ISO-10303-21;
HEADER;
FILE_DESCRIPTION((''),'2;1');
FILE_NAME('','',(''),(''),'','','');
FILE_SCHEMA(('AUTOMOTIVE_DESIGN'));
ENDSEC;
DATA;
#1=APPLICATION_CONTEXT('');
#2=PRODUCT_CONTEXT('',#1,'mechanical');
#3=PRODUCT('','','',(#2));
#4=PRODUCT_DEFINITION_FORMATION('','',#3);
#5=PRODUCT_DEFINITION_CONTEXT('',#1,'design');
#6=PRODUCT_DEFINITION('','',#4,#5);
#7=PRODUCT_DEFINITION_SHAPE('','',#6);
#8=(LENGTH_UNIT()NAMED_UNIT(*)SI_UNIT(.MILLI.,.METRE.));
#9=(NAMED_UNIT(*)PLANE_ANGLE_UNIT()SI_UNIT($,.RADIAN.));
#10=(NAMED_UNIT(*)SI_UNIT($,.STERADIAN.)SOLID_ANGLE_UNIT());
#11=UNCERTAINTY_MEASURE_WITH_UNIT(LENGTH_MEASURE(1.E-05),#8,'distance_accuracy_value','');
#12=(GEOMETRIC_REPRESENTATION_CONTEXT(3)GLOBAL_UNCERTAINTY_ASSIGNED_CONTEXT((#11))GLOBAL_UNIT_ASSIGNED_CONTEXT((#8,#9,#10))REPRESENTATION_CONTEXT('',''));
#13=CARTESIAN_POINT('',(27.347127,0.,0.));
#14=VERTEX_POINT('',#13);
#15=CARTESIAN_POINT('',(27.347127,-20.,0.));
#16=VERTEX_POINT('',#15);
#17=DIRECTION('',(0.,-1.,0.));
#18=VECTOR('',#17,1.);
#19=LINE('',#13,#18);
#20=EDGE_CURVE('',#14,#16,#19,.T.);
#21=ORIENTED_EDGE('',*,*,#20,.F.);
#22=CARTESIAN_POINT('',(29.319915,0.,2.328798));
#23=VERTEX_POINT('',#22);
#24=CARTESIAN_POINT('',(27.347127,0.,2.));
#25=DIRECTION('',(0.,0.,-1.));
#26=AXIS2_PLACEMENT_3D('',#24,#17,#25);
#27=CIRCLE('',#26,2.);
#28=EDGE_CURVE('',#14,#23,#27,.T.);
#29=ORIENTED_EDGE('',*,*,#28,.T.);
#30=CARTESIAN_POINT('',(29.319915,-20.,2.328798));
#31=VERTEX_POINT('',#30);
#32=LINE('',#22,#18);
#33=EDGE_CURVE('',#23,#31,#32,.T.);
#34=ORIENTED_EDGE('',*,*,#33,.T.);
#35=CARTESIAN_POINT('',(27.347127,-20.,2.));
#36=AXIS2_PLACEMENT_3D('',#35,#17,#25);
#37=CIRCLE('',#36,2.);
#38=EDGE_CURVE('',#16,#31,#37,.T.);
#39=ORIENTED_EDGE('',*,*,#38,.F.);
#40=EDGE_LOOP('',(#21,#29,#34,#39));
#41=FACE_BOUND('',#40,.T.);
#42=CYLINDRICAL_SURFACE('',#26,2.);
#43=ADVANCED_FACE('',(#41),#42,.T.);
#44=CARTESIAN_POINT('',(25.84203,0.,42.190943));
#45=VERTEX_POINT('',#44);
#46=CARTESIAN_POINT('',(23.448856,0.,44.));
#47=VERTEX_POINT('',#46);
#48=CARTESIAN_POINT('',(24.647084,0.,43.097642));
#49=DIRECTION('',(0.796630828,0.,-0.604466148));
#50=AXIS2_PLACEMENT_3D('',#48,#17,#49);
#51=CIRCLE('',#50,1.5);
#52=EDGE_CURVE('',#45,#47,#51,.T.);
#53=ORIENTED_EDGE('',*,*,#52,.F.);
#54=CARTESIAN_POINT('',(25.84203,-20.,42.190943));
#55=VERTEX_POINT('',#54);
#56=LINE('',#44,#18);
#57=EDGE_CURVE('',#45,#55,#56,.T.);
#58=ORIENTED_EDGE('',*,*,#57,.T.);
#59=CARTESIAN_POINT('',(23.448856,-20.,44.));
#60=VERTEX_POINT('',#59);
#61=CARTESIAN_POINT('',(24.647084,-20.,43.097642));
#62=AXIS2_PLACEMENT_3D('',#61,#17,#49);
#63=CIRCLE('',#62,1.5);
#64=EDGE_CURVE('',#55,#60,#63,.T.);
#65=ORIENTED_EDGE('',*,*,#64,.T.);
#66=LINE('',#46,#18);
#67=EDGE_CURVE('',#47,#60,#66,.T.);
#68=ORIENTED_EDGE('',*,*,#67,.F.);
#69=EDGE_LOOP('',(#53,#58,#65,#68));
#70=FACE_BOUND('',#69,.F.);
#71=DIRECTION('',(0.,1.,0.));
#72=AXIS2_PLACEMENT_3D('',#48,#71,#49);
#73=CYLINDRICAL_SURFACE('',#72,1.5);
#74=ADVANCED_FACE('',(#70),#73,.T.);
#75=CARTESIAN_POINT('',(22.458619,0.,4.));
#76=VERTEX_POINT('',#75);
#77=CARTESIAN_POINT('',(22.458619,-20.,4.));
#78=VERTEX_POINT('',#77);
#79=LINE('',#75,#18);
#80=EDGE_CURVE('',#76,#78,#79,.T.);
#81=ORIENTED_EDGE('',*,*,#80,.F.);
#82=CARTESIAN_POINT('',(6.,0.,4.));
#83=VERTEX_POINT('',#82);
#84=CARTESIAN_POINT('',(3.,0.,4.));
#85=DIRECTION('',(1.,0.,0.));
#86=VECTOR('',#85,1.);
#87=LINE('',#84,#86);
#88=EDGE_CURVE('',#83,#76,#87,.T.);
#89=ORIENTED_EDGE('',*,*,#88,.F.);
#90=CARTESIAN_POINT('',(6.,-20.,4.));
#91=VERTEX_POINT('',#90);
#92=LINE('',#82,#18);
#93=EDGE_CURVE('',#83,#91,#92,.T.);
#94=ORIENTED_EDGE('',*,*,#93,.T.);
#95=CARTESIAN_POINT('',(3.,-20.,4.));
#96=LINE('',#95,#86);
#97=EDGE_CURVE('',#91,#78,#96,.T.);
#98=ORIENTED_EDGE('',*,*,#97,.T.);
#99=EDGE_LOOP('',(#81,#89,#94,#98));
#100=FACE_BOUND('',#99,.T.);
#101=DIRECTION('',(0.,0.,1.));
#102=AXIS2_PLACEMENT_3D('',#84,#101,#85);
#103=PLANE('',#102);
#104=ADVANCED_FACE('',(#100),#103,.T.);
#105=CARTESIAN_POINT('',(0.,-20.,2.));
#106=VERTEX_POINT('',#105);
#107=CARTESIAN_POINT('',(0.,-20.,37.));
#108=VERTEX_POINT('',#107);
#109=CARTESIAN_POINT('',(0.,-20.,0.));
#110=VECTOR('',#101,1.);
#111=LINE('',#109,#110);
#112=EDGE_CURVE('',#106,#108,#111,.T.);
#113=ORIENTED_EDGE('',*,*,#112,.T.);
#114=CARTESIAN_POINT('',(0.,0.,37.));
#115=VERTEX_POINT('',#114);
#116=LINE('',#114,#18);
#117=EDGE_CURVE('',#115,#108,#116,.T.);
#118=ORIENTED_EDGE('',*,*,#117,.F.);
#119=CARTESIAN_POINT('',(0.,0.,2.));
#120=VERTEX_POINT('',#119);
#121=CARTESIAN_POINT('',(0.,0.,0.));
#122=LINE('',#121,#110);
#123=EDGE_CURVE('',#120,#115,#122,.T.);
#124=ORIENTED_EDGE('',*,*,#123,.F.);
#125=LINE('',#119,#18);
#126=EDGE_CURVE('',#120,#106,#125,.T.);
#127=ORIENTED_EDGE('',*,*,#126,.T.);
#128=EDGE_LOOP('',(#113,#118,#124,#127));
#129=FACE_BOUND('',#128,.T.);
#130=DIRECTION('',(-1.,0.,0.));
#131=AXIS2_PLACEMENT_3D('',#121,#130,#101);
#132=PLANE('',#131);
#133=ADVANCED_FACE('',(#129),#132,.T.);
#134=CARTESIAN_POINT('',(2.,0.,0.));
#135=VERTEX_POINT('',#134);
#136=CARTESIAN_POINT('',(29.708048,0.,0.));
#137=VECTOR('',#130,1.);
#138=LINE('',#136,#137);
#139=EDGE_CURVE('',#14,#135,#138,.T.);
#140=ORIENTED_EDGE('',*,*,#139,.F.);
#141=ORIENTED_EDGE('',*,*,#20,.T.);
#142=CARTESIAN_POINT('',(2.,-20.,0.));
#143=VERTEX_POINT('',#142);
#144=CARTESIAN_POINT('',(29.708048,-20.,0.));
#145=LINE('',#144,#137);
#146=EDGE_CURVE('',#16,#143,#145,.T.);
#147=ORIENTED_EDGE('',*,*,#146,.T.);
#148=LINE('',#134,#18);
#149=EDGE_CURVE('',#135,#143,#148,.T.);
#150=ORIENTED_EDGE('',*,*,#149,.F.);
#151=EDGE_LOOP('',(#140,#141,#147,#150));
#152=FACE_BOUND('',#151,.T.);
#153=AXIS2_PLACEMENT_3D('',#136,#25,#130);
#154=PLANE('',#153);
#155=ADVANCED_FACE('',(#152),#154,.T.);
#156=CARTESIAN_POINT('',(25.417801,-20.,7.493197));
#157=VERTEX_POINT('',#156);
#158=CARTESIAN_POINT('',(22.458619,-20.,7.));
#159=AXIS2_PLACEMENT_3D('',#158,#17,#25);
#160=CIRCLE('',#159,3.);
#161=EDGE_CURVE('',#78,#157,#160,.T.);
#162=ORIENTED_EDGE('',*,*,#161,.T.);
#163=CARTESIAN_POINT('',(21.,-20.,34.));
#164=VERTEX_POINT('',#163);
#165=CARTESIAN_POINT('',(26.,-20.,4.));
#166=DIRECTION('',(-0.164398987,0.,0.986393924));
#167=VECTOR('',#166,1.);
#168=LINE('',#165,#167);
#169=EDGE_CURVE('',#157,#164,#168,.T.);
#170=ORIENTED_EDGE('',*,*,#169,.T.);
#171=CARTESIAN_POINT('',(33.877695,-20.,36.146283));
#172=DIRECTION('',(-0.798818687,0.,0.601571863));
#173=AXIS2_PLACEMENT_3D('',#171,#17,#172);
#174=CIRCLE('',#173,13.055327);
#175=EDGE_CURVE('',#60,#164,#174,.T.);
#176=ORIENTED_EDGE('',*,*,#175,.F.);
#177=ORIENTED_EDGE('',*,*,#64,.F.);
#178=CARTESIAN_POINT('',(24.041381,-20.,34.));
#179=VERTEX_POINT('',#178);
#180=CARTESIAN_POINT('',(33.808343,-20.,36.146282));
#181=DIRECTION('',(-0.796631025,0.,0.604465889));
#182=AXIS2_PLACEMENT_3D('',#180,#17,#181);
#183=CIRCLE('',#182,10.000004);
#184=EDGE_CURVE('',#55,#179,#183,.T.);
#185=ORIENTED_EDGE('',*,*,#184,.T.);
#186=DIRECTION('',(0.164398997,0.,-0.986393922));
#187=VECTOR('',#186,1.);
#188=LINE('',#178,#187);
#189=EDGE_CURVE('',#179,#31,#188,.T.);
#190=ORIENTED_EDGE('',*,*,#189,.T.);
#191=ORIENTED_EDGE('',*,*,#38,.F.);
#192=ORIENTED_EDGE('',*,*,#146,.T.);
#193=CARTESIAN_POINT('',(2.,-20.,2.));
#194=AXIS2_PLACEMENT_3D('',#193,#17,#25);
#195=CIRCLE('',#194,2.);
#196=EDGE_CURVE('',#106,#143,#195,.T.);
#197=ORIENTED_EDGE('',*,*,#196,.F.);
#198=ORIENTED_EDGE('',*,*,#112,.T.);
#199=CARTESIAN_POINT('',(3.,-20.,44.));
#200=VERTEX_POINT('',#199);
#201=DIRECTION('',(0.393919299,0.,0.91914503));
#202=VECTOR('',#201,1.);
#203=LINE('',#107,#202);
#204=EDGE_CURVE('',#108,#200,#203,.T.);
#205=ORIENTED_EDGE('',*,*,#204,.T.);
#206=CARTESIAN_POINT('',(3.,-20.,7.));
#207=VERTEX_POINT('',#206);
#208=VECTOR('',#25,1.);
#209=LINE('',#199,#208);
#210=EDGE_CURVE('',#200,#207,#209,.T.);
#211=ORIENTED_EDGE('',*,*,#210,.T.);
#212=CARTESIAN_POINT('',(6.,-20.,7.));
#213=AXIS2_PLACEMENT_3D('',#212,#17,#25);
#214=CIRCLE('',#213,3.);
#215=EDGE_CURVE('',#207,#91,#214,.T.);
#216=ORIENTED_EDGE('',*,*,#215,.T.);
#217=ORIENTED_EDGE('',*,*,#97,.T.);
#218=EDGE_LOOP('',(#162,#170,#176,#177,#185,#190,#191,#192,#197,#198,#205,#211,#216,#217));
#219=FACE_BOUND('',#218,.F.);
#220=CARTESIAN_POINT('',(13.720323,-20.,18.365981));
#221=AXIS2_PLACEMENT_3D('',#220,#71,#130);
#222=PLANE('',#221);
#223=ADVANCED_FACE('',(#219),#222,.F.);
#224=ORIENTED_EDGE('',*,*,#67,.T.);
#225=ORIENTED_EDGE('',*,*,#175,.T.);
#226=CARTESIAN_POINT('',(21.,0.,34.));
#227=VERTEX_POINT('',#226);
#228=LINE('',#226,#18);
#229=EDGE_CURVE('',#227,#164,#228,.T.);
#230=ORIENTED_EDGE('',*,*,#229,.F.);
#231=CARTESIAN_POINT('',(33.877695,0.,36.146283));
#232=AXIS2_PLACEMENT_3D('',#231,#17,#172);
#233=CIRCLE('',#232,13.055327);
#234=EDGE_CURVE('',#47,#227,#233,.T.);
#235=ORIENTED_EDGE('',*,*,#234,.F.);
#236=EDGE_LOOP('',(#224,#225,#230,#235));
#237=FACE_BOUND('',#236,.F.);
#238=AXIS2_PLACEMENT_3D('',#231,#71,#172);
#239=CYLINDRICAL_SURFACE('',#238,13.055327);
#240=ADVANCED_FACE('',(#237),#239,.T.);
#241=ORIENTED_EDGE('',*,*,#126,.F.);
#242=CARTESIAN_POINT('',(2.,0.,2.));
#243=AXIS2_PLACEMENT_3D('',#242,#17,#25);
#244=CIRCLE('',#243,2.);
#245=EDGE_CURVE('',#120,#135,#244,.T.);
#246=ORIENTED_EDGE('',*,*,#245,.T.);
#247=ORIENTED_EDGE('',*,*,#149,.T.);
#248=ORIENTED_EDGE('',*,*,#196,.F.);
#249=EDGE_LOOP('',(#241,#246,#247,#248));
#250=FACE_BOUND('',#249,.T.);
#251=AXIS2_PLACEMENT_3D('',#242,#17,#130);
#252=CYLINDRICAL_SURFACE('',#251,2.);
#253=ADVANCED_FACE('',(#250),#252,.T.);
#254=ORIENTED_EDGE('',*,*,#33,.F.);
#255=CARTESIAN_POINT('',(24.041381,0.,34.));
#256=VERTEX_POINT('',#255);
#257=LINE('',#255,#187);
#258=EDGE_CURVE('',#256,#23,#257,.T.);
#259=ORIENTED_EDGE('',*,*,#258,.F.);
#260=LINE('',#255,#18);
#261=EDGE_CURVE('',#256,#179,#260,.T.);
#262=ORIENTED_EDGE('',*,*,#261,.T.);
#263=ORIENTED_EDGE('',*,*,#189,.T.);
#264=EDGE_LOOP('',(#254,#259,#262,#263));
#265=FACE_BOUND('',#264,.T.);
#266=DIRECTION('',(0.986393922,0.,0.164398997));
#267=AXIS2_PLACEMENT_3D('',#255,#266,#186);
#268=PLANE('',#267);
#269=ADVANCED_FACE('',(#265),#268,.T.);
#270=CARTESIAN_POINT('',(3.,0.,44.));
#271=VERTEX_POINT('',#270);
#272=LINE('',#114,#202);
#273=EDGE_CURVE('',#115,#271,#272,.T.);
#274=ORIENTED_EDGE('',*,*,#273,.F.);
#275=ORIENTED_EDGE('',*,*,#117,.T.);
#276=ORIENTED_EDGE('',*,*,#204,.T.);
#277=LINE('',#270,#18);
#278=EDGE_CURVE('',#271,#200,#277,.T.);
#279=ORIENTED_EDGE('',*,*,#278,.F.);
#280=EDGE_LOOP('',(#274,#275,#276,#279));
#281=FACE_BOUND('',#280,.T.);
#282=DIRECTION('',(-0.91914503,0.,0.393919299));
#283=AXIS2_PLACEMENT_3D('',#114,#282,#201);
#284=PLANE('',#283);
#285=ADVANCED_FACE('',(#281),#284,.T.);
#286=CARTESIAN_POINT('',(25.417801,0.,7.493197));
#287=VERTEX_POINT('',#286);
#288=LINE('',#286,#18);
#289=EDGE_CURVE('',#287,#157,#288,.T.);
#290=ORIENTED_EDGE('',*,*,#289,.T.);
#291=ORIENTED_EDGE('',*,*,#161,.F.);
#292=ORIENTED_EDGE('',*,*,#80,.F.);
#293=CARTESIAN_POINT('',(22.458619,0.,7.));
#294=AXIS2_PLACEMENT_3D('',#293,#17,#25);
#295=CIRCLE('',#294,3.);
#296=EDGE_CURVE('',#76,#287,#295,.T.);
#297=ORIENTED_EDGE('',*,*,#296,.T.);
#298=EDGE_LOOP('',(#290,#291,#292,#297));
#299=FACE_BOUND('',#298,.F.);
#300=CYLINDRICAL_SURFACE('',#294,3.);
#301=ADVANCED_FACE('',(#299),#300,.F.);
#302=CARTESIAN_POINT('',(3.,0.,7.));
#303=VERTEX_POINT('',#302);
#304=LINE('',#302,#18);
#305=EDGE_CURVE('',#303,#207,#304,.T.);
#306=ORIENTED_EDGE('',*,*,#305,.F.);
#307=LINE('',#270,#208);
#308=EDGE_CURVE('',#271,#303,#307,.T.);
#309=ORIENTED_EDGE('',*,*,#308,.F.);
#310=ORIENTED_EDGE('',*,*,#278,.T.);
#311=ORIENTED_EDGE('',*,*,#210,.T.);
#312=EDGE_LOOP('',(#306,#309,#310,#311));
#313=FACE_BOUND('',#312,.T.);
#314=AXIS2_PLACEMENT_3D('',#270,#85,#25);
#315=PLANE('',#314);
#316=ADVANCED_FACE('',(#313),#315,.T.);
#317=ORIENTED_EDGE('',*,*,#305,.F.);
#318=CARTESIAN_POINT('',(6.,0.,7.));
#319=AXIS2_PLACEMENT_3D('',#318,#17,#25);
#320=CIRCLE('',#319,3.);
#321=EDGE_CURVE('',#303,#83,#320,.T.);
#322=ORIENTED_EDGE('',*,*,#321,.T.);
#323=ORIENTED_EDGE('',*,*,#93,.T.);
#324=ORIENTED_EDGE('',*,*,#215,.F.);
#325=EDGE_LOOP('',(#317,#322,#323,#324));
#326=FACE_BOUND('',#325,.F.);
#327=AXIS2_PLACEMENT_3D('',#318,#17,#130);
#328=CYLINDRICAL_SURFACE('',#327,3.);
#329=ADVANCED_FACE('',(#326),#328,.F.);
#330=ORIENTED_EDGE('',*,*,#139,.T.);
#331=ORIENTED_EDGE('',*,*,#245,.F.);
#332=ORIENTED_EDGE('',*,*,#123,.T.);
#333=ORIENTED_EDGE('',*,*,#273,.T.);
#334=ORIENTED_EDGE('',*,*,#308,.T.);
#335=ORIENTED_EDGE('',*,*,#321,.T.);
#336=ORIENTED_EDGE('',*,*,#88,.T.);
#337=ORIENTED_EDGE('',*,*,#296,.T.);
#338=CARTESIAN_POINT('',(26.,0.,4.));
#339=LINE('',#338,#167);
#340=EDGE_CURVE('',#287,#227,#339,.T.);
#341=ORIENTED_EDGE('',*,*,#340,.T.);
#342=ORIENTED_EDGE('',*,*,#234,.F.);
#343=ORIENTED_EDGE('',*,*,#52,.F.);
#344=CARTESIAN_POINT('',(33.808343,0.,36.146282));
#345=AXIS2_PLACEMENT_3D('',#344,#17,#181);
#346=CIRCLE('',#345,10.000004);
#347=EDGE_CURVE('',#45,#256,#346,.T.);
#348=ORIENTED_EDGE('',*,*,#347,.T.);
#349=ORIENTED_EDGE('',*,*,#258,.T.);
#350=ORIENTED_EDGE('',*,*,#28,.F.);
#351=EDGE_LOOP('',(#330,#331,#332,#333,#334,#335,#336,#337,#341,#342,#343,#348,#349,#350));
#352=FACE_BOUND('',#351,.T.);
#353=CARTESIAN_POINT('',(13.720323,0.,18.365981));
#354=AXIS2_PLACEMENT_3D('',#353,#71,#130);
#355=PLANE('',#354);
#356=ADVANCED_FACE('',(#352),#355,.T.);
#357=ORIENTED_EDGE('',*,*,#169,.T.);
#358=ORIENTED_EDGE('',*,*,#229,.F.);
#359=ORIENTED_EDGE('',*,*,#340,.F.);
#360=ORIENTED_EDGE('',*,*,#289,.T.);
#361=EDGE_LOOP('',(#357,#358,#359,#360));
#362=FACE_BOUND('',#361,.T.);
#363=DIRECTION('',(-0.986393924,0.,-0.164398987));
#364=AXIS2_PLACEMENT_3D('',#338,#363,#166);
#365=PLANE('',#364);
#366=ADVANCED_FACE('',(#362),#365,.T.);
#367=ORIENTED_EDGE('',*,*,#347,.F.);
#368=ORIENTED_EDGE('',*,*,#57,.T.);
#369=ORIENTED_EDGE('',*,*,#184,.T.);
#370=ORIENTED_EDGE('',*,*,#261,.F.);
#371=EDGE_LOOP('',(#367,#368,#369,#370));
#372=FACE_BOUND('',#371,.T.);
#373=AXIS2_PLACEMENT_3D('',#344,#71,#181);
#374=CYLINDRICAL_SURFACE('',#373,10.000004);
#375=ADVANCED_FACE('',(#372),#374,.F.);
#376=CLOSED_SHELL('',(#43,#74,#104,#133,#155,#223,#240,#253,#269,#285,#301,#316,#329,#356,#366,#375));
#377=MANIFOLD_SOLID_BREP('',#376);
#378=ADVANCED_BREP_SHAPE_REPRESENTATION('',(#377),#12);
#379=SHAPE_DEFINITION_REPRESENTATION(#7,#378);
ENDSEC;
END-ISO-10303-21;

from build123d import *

# Parameters (mm, degrees)
PAD_DEPTH   = 20
FILLET_R    = 3
FILLET001_R = 2


with BuildPart() as part:
    # Sketch → Pad (new body)
    with BuildSketch(Plane.XZ):
        with BuildLine():
            Line((0, 0), (0, 37))
            Line((0, 37), (3, 44))
            Line((3, 44), (3, 4))
            Line((3, 4), (26, 4))
            Line((26, 4), (21, 34))
            ThreePointArc((23.448856, 44), (21.197055, 39.251589), (21, 34))
            ThreePointArc((25.84203, 42.190943), (25.551614, 44.294231), (23.448856, 44))
            ThreePointArc((25.84203, 42.190943), (24.041555, 38.293355), (24.041381, 34))
            Line((24.041381, 34), (29.708048, 0))
            Line((29.708048, 0), (0, 0))
        make_face()
    extrude(amount=PAD_DEPTH)

    # Fillet
    fillet_edges = [part.edges().sort_by_distance(p)[0] for p in [
        (26, -10, 4),
        (3, -10, 4),
    ]]
    fillet(fillet_edges, radius=FILLET_R)

    # Fillet001
    fillet001_edges = [part.edges().sort_by_distance(p)[0] for p in [
        (0, -10, 0),
        (29.708048, -10, 0),
    ]]
    fillet(fillet001_edges, radius=FILLET001_R)


solid = part.part
